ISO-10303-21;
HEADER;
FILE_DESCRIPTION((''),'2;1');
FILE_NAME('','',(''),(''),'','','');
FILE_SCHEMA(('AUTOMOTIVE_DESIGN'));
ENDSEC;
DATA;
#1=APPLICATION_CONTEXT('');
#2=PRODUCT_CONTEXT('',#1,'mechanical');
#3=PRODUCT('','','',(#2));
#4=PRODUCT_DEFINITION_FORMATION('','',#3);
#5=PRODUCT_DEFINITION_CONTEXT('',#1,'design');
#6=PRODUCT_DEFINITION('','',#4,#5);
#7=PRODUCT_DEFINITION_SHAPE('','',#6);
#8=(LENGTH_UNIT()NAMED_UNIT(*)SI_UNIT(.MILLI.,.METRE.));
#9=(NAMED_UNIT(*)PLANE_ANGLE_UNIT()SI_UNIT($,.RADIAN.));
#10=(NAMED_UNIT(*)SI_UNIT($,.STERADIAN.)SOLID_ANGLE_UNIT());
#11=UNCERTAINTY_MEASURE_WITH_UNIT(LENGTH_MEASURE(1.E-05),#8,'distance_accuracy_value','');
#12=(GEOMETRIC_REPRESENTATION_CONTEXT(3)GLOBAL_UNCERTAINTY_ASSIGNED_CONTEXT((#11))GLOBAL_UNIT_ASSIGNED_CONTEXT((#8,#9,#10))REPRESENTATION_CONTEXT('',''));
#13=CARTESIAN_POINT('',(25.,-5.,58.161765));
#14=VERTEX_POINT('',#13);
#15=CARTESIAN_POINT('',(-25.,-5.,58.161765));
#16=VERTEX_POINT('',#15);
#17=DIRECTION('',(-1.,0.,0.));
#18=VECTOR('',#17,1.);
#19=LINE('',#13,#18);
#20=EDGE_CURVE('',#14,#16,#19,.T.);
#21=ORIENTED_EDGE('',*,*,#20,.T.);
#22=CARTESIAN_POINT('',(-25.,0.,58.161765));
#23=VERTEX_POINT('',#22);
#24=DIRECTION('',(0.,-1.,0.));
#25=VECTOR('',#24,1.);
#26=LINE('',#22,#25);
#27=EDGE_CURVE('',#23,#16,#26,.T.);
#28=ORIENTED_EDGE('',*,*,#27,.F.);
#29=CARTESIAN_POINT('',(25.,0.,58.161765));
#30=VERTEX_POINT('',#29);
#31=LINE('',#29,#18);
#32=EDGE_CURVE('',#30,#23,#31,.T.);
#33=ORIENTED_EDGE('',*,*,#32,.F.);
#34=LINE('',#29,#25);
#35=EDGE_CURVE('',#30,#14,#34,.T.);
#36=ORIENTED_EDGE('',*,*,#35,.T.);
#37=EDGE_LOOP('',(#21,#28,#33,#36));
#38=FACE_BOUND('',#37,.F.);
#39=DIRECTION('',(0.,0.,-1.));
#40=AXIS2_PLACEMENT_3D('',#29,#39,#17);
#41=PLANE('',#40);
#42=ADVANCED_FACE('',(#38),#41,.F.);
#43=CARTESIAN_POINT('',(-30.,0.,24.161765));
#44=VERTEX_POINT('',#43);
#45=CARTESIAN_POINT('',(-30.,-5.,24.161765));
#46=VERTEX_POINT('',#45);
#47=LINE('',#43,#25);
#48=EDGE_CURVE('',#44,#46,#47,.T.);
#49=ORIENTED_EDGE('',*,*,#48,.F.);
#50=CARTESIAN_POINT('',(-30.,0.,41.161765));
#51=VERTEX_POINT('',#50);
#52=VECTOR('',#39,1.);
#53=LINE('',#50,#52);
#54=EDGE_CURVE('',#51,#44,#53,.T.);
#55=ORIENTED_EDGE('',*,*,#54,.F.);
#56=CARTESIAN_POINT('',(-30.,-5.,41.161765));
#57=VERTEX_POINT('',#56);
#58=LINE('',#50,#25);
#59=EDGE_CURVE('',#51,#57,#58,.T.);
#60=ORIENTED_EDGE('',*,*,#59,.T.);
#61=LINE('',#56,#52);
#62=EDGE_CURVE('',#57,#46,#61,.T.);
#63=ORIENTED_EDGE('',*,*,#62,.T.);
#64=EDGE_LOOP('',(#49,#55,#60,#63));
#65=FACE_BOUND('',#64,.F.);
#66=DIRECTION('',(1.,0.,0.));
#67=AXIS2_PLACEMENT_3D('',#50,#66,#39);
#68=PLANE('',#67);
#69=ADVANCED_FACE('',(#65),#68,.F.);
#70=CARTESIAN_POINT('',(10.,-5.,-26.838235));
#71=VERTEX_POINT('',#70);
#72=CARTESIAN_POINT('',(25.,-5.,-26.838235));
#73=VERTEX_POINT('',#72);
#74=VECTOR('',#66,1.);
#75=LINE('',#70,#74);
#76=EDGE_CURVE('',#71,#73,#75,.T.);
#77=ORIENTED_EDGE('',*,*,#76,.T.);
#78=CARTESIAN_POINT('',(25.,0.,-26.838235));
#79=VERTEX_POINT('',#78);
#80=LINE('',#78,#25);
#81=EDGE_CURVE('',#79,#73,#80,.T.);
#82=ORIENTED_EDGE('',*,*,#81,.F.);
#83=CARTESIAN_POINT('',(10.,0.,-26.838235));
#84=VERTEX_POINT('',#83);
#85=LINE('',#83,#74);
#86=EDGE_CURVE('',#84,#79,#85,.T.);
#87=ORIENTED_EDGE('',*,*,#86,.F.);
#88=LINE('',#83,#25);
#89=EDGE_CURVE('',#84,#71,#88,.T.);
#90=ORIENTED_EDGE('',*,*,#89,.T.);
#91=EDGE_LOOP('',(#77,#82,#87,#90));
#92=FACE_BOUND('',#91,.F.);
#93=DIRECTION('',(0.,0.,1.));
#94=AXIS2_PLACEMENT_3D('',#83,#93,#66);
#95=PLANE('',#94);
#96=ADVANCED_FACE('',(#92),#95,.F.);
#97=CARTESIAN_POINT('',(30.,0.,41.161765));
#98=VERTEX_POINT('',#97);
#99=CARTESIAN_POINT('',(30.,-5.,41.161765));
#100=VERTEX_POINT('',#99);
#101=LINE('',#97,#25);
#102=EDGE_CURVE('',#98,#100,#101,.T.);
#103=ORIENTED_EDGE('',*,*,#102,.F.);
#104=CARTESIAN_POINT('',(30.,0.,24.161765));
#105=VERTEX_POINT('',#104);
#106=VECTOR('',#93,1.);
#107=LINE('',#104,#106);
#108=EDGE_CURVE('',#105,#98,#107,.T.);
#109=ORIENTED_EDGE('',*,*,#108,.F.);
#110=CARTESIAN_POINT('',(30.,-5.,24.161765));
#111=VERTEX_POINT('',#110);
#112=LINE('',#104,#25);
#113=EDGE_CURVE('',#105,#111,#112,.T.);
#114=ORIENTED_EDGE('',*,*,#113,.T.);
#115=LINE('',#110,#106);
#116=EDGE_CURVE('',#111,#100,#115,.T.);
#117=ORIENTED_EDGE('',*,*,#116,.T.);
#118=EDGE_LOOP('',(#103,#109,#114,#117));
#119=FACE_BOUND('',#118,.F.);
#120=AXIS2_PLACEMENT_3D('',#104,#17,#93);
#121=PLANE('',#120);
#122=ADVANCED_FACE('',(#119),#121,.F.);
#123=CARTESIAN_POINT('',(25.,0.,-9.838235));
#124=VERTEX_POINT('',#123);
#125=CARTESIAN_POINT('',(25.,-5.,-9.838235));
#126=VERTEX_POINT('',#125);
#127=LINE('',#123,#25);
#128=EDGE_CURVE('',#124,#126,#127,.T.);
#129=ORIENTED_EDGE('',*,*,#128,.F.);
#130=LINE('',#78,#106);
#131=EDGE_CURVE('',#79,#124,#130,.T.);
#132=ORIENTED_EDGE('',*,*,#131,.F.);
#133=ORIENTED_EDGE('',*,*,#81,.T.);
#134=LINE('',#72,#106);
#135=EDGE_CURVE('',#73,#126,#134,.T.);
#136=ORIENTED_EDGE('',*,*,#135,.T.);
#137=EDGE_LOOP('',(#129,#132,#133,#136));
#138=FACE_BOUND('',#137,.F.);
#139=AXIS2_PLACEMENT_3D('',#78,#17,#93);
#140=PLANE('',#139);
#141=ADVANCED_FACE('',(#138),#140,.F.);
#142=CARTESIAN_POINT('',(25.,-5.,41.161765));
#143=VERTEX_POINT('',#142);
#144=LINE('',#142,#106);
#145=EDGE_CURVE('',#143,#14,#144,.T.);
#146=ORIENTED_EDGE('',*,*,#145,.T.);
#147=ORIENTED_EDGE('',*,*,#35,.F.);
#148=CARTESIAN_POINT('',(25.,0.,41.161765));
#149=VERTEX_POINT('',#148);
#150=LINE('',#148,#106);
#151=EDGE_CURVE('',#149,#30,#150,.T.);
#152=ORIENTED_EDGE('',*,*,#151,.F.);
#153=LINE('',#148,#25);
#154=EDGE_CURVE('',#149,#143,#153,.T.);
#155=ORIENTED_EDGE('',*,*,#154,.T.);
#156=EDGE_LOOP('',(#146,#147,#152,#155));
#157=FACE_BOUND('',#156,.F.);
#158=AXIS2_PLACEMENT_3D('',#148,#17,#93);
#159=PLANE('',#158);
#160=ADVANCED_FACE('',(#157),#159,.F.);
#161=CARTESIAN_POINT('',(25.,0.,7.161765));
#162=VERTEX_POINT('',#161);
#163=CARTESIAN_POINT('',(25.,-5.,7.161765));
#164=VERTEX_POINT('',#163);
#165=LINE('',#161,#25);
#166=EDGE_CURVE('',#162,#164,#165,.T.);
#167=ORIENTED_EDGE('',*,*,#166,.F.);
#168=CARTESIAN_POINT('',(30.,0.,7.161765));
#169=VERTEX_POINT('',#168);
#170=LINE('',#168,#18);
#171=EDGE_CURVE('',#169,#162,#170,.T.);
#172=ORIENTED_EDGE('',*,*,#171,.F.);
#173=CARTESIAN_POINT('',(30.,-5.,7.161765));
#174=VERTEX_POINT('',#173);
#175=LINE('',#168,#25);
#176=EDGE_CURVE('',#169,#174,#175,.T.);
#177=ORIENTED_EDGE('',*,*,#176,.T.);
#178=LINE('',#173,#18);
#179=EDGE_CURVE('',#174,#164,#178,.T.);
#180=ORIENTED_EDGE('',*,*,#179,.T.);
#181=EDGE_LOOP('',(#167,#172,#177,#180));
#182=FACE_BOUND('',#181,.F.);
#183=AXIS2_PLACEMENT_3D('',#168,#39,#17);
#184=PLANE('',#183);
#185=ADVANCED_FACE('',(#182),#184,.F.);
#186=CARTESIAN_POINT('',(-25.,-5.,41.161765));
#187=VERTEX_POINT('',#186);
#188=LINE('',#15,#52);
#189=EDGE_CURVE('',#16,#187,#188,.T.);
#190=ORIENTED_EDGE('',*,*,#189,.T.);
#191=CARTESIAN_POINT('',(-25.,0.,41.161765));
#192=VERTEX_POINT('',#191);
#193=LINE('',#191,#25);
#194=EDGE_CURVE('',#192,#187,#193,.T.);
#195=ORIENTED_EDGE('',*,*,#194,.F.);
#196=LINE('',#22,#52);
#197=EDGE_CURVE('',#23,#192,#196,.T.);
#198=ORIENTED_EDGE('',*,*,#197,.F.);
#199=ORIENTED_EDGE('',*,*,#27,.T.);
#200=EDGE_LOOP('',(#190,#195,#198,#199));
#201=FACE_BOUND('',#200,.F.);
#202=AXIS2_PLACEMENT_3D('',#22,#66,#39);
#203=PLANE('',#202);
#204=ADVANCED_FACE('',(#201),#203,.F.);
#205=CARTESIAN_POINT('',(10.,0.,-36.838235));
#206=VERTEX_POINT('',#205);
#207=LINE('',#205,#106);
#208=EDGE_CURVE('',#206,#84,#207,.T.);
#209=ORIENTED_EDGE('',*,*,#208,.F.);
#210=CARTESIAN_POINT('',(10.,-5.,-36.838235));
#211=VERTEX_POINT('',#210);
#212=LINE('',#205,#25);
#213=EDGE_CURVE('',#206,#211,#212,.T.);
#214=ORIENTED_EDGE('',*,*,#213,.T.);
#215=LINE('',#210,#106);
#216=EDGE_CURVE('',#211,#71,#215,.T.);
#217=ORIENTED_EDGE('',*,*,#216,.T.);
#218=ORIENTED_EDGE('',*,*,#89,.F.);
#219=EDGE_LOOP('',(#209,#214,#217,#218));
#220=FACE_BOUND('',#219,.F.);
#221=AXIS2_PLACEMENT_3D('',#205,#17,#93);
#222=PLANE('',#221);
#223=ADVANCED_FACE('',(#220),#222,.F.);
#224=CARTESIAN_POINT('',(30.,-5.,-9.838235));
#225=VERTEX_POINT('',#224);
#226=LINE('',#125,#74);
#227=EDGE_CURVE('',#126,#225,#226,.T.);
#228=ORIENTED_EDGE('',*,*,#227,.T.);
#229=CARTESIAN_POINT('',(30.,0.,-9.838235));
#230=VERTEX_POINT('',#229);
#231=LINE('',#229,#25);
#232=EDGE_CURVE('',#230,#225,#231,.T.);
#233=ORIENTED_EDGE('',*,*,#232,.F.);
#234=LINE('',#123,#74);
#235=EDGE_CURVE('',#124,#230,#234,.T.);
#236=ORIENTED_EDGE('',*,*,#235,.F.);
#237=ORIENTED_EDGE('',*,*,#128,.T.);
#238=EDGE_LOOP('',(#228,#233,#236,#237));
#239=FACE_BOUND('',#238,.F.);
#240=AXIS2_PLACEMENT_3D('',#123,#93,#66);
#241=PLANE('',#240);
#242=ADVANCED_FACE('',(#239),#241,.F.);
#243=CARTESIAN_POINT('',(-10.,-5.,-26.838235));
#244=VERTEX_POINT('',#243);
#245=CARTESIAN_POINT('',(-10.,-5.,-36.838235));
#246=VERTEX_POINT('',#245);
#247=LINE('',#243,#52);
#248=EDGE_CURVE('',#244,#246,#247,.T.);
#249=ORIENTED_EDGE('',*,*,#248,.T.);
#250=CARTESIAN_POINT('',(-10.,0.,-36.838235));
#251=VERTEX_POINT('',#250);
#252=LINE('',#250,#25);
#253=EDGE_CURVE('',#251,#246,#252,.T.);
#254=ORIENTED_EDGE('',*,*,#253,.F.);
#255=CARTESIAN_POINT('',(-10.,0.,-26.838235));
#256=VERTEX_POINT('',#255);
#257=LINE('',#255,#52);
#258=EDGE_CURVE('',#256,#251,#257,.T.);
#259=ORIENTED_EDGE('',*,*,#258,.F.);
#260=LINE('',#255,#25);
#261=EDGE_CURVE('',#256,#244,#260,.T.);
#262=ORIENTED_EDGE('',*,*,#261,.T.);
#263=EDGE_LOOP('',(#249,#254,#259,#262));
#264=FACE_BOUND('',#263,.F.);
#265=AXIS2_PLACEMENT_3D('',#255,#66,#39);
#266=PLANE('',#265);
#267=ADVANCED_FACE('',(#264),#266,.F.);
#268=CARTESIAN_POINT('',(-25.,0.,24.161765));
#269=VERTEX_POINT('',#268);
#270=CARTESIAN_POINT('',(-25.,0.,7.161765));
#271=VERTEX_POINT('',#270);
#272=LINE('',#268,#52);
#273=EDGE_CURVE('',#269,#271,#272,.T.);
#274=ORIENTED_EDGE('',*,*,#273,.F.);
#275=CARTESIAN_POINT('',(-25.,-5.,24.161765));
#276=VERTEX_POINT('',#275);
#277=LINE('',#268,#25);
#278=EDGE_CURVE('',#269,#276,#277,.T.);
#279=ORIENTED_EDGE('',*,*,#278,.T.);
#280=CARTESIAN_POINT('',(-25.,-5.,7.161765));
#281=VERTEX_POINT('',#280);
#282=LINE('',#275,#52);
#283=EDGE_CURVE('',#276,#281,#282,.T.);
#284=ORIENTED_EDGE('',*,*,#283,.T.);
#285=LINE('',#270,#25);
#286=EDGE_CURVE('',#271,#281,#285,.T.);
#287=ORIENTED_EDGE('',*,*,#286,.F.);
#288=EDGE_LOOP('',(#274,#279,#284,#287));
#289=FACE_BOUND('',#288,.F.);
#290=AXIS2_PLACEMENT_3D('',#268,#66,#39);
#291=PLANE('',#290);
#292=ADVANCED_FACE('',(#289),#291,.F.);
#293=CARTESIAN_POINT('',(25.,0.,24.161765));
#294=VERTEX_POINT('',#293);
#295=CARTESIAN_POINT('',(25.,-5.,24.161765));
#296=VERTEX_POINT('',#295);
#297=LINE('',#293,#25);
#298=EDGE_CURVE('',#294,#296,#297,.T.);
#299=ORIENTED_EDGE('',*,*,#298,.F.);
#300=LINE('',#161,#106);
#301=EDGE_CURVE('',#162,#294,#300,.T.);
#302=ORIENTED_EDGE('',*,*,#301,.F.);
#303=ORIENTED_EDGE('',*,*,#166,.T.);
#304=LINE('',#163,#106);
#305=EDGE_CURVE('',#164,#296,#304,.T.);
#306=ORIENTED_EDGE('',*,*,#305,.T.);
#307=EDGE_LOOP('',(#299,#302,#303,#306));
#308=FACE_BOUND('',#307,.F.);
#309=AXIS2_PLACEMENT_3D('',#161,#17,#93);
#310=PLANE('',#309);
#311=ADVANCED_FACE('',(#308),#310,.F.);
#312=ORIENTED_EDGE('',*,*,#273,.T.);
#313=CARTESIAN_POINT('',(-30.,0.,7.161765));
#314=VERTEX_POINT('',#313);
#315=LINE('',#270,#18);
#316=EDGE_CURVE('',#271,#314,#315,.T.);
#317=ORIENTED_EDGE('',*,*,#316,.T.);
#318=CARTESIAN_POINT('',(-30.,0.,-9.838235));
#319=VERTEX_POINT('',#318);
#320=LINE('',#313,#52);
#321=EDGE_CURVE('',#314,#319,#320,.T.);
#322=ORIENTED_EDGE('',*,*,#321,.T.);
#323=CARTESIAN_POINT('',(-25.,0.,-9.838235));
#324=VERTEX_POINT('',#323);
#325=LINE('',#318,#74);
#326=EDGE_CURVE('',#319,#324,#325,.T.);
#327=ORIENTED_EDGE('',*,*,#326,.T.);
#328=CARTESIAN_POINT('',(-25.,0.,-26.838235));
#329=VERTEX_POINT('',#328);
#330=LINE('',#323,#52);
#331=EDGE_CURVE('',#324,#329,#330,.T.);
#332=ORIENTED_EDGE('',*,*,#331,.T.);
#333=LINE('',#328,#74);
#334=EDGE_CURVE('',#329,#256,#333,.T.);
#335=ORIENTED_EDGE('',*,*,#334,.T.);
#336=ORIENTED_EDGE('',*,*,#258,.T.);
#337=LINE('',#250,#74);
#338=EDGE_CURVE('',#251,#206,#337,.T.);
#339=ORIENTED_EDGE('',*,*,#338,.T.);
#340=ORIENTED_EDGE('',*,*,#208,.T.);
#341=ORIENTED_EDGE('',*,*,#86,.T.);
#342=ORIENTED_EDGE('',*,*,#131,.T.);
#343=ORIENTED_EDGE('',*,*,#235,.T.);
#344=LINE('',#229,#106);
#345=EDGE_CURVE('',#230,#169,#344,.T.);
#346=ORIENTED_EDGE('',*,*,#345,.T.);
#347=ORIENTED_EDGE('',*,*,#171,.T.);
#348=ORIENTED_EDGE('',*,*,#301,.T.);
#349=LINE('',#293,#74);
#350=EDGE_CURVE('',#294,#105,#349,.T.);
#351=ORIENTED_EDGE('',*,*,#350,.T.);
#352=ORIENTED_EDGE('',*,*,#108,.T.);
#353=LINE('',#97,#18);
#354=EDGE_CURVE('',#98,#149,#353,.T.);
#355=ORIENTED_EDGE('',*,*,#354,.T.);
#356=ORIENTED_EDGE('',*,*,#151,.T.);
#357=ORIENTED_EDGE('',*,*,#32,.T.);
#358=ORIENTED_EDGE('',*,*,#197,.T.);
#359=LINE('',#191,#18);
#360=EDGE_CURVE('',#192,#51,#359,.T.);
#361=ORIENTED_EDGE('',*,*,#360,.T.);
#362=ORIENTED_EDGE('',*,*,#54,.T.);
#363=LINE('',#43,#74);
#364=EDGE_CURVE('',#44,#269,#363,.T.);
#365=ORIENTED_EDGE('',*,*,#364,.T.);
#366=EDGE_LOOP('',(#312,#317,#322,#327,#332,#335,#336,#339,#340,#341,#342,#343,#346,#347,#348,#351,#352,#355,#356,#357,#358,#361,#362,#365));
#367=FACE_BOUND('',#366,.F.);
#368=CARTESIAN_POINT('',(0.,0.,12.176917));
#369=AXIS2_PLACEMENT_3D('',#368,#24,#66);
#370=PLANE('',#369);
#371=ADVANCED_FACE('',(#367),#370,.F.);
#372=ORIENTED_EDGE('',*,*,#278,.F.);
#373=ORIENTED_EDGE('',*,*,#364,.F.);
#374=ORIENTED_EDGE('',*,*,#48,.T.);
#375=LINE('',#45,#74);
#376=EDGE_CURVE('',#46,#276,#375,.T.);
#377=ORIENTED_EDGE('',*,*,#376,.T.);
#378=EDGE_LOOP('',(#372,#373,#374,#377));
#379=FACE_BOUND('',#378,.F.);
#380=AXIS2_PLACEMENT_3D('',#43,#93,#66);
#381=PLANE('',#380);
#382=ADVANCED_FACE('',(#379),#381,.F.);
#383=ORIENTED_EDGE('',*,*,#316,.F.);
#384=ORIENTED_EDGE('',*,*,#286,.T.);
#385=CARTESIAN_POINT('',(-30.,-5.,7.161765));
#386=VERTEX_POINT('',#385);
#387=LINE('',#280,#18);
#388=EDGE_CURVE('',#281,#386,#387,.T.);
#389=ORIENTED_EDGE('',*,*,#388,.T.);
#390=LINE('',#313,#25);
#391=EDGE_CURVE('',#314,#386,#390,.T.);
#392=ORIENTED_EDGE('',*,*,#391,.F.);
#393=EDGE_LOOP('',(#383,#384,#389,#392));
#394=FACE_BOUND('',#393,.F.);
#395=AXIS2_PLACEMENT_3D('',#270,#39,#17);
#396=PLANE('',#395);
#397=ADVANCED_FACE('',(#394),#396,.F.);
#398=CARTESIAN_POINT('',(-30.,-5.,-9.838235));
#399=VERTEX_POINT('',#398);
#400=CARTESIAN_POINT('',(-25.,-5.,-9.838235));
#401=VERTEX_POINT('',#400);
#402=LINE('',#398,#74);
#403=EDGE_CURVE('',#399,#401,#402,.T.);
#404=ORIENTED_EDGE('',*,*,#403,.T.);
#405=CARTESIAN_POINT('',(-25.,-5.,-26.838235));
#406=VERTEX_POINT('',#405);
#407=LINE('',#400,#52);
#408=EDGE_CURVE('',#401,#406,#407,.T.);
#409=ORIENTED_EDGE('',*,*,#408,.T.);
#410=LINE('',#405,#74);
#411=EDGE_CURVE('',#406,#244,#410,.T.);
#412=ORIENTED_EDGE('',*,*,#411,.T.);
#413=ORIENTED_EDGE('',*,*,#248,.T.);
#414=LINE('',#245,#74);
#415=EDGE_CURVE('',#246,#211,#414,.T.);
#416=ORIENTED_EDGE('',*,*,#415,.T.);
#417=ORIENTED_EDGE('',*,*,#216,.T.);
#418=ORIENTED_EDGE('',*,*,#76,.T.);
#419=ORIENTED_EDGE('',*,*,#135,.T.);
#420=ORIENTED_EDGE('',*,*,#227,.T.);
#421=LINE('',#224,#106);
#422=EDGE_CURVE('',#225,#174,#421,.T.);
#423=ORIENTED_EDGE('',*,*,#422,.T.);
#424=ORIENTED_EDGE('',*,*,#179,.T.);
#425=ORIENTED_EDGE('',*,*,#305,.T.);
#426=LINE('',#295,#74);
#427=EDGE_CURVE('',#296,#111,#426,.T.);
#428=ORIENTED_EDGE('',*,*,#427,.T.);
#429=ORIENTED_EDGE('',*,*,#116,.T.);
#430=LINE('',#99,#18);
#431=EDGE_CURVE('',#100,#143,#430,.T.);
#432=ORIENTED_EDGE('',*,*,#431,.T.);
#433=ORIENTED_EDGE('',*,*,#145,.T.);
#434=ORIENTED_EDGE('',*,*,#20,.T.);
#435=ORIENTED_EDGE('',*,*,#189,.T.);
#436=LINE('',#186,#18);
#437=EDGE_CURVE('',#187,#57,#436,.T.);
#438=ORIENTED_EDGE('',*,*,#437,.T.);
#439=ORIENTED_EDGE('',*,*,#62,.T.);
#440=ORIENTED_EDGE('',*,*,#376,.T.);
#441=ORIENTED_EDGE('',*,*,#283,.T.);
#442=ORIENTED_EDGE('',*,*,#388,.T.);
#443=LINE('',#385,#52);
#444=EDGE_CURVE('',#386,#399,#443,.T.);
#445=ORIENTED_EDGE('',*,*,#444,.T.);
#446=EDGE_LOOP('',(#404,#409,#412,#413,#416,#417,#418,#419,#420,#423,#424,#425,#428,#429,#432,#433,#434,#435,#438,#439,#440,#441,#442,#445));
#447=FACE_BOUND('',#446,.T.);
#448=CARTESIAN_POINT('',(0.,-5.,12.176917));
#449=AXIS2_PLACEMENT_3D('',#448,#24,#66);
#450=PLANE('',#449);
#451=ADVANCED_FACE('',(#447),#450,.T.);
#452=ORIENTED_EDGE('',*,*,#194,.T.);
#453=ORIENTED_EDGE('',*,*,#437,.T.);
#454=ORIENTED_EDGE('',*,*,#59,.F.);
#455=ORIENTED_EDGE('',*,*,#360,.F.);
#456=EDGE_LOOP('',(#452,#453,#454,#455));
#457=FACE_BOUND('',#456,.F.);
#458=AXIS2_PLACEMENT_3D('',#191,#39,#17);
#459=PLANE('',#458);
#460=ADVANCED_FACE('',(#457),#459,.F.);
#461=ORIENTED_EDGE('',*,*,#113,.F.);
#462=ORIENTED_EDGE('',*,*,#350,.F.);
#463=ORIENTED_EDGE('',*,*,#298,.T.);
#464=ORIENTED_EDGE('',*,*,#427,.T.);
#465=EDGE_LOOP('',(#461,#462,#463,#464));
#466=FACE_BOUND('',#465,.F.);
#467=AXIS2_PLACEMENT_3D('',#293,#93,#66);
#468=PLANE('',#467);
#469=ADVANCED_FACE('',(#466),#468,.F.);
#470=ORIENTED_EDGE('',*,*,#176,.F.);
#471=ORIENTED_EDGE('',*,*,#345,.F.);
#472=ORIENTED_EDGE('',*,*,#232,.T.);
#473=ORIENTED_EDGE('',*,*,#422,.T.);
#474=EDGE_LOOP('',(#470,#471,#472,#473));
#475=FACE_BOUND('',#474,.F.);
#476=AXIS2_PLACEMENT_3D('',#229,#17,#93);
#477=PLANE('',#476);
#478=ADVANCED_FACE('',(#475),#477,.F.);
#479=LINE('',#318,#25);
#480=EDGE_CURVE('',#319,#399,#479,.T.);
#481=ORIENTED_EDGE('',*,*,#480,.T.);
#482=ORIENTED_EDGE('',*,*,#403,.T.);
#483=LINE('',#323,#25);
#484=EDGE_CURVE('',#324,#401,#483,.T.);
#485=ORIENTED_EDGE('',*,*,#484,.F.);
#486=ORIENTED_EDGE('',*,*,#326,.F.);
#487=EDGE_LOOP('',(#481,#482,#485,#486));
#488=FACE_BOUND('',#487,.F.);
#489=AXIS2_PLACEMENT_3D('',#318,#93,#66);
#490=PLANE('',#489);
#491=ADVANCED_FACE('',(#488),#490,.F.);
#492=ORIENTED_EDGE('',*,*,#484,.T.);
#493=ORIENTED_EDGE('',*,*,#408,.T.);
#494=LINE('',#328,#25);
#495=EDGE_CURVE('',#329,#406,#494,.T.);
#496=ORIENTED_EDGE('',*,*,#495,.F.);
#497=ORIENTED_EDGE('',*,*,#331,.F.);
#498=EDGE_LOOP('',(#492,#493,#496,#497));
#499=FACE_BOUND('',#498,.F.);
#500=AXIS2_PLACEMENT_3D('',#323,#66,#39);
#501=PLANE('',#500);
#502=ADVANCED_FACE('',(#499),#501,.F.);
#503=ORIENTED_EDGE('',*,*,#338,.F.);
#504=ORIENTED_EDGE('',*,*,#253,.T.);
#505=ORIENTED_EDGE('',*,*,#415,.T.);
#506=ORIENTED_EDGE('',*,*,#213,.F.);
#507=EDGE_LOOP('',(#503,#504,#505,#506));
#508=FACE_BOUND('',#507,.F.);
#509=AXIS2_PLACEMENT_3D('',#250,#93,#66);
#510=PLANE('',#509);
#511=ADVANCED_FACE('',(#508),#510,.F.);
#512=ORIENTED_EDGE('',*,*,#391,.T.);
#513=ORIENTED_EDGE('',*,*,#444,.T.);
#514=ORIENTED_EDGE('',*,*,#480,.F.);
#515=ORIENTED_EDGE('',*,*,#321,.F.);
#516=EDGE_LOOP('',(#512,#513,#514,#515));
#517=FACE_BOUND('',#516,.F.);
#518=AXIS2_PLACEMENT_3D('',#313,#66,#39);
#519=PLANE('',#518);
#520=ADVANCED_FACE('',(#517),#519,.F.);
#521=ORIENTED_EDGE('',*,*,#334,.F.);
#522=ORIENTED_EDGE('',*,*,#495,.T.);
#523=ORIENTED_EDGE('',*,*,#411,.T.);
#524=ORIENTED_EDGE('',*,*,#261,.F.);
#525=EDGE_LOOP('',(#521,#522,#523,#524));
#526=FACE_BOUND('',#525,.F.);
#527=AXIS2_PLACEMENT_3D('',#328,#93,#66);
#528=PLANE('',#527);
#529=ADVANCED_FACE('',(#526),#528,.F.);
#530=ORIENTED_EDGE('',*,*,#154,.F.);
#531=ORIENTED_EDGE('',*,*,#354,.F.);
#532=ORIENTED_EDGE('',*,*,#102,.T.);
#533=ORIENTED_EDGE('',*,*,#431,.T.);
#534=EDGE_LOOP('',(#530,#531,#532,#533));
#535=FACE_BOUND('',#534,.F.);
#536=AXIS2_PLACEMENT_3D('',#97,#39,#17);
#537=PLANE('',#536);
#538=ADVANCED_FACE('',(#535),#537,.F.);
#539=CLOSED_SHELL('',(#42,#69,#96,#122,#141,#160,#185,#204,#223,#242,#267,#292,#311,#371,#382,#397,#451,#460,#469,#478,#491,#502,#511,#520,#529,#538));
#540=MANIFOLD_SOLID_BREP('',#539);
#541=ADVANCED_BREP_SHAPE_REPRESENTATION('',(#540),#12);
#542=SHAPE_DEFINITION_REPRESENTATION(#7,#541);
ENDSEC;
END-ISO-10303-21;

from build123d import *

# Parameters (mm, degrees)
F1_DEPTH = 5


with BuildPart() as f1:
    # F0 (on Front) → F1 (new body)
    with BuildSketch(Plane.XZ):
        Polygon((25, 41.161765), (25, 58.161765), (-25, 58.161765), (-25, 41.161765), (-30, 41.161765), (-30, 24.161765), (-25, 24.161765), (-25, 7.161765), (-30, 7.161765), (-30, -9.838235), (-25, -9.838235), (-25, -26.838235), (-10, -26.838235), (-10, -31.838235), (-10, -36.838235), (10, -36.838235), (10, -31.838235), (10, -26.838235), (25, -26.838235), (25, -9.838235), (30, -9.838235), (30, 7.161765), (25, 7.161765), (25, 24.161765), (30, 24.161765), (30, 41.161765), align=None)
    extrude(amount=F1_DEPTH)


solid = f1.part
